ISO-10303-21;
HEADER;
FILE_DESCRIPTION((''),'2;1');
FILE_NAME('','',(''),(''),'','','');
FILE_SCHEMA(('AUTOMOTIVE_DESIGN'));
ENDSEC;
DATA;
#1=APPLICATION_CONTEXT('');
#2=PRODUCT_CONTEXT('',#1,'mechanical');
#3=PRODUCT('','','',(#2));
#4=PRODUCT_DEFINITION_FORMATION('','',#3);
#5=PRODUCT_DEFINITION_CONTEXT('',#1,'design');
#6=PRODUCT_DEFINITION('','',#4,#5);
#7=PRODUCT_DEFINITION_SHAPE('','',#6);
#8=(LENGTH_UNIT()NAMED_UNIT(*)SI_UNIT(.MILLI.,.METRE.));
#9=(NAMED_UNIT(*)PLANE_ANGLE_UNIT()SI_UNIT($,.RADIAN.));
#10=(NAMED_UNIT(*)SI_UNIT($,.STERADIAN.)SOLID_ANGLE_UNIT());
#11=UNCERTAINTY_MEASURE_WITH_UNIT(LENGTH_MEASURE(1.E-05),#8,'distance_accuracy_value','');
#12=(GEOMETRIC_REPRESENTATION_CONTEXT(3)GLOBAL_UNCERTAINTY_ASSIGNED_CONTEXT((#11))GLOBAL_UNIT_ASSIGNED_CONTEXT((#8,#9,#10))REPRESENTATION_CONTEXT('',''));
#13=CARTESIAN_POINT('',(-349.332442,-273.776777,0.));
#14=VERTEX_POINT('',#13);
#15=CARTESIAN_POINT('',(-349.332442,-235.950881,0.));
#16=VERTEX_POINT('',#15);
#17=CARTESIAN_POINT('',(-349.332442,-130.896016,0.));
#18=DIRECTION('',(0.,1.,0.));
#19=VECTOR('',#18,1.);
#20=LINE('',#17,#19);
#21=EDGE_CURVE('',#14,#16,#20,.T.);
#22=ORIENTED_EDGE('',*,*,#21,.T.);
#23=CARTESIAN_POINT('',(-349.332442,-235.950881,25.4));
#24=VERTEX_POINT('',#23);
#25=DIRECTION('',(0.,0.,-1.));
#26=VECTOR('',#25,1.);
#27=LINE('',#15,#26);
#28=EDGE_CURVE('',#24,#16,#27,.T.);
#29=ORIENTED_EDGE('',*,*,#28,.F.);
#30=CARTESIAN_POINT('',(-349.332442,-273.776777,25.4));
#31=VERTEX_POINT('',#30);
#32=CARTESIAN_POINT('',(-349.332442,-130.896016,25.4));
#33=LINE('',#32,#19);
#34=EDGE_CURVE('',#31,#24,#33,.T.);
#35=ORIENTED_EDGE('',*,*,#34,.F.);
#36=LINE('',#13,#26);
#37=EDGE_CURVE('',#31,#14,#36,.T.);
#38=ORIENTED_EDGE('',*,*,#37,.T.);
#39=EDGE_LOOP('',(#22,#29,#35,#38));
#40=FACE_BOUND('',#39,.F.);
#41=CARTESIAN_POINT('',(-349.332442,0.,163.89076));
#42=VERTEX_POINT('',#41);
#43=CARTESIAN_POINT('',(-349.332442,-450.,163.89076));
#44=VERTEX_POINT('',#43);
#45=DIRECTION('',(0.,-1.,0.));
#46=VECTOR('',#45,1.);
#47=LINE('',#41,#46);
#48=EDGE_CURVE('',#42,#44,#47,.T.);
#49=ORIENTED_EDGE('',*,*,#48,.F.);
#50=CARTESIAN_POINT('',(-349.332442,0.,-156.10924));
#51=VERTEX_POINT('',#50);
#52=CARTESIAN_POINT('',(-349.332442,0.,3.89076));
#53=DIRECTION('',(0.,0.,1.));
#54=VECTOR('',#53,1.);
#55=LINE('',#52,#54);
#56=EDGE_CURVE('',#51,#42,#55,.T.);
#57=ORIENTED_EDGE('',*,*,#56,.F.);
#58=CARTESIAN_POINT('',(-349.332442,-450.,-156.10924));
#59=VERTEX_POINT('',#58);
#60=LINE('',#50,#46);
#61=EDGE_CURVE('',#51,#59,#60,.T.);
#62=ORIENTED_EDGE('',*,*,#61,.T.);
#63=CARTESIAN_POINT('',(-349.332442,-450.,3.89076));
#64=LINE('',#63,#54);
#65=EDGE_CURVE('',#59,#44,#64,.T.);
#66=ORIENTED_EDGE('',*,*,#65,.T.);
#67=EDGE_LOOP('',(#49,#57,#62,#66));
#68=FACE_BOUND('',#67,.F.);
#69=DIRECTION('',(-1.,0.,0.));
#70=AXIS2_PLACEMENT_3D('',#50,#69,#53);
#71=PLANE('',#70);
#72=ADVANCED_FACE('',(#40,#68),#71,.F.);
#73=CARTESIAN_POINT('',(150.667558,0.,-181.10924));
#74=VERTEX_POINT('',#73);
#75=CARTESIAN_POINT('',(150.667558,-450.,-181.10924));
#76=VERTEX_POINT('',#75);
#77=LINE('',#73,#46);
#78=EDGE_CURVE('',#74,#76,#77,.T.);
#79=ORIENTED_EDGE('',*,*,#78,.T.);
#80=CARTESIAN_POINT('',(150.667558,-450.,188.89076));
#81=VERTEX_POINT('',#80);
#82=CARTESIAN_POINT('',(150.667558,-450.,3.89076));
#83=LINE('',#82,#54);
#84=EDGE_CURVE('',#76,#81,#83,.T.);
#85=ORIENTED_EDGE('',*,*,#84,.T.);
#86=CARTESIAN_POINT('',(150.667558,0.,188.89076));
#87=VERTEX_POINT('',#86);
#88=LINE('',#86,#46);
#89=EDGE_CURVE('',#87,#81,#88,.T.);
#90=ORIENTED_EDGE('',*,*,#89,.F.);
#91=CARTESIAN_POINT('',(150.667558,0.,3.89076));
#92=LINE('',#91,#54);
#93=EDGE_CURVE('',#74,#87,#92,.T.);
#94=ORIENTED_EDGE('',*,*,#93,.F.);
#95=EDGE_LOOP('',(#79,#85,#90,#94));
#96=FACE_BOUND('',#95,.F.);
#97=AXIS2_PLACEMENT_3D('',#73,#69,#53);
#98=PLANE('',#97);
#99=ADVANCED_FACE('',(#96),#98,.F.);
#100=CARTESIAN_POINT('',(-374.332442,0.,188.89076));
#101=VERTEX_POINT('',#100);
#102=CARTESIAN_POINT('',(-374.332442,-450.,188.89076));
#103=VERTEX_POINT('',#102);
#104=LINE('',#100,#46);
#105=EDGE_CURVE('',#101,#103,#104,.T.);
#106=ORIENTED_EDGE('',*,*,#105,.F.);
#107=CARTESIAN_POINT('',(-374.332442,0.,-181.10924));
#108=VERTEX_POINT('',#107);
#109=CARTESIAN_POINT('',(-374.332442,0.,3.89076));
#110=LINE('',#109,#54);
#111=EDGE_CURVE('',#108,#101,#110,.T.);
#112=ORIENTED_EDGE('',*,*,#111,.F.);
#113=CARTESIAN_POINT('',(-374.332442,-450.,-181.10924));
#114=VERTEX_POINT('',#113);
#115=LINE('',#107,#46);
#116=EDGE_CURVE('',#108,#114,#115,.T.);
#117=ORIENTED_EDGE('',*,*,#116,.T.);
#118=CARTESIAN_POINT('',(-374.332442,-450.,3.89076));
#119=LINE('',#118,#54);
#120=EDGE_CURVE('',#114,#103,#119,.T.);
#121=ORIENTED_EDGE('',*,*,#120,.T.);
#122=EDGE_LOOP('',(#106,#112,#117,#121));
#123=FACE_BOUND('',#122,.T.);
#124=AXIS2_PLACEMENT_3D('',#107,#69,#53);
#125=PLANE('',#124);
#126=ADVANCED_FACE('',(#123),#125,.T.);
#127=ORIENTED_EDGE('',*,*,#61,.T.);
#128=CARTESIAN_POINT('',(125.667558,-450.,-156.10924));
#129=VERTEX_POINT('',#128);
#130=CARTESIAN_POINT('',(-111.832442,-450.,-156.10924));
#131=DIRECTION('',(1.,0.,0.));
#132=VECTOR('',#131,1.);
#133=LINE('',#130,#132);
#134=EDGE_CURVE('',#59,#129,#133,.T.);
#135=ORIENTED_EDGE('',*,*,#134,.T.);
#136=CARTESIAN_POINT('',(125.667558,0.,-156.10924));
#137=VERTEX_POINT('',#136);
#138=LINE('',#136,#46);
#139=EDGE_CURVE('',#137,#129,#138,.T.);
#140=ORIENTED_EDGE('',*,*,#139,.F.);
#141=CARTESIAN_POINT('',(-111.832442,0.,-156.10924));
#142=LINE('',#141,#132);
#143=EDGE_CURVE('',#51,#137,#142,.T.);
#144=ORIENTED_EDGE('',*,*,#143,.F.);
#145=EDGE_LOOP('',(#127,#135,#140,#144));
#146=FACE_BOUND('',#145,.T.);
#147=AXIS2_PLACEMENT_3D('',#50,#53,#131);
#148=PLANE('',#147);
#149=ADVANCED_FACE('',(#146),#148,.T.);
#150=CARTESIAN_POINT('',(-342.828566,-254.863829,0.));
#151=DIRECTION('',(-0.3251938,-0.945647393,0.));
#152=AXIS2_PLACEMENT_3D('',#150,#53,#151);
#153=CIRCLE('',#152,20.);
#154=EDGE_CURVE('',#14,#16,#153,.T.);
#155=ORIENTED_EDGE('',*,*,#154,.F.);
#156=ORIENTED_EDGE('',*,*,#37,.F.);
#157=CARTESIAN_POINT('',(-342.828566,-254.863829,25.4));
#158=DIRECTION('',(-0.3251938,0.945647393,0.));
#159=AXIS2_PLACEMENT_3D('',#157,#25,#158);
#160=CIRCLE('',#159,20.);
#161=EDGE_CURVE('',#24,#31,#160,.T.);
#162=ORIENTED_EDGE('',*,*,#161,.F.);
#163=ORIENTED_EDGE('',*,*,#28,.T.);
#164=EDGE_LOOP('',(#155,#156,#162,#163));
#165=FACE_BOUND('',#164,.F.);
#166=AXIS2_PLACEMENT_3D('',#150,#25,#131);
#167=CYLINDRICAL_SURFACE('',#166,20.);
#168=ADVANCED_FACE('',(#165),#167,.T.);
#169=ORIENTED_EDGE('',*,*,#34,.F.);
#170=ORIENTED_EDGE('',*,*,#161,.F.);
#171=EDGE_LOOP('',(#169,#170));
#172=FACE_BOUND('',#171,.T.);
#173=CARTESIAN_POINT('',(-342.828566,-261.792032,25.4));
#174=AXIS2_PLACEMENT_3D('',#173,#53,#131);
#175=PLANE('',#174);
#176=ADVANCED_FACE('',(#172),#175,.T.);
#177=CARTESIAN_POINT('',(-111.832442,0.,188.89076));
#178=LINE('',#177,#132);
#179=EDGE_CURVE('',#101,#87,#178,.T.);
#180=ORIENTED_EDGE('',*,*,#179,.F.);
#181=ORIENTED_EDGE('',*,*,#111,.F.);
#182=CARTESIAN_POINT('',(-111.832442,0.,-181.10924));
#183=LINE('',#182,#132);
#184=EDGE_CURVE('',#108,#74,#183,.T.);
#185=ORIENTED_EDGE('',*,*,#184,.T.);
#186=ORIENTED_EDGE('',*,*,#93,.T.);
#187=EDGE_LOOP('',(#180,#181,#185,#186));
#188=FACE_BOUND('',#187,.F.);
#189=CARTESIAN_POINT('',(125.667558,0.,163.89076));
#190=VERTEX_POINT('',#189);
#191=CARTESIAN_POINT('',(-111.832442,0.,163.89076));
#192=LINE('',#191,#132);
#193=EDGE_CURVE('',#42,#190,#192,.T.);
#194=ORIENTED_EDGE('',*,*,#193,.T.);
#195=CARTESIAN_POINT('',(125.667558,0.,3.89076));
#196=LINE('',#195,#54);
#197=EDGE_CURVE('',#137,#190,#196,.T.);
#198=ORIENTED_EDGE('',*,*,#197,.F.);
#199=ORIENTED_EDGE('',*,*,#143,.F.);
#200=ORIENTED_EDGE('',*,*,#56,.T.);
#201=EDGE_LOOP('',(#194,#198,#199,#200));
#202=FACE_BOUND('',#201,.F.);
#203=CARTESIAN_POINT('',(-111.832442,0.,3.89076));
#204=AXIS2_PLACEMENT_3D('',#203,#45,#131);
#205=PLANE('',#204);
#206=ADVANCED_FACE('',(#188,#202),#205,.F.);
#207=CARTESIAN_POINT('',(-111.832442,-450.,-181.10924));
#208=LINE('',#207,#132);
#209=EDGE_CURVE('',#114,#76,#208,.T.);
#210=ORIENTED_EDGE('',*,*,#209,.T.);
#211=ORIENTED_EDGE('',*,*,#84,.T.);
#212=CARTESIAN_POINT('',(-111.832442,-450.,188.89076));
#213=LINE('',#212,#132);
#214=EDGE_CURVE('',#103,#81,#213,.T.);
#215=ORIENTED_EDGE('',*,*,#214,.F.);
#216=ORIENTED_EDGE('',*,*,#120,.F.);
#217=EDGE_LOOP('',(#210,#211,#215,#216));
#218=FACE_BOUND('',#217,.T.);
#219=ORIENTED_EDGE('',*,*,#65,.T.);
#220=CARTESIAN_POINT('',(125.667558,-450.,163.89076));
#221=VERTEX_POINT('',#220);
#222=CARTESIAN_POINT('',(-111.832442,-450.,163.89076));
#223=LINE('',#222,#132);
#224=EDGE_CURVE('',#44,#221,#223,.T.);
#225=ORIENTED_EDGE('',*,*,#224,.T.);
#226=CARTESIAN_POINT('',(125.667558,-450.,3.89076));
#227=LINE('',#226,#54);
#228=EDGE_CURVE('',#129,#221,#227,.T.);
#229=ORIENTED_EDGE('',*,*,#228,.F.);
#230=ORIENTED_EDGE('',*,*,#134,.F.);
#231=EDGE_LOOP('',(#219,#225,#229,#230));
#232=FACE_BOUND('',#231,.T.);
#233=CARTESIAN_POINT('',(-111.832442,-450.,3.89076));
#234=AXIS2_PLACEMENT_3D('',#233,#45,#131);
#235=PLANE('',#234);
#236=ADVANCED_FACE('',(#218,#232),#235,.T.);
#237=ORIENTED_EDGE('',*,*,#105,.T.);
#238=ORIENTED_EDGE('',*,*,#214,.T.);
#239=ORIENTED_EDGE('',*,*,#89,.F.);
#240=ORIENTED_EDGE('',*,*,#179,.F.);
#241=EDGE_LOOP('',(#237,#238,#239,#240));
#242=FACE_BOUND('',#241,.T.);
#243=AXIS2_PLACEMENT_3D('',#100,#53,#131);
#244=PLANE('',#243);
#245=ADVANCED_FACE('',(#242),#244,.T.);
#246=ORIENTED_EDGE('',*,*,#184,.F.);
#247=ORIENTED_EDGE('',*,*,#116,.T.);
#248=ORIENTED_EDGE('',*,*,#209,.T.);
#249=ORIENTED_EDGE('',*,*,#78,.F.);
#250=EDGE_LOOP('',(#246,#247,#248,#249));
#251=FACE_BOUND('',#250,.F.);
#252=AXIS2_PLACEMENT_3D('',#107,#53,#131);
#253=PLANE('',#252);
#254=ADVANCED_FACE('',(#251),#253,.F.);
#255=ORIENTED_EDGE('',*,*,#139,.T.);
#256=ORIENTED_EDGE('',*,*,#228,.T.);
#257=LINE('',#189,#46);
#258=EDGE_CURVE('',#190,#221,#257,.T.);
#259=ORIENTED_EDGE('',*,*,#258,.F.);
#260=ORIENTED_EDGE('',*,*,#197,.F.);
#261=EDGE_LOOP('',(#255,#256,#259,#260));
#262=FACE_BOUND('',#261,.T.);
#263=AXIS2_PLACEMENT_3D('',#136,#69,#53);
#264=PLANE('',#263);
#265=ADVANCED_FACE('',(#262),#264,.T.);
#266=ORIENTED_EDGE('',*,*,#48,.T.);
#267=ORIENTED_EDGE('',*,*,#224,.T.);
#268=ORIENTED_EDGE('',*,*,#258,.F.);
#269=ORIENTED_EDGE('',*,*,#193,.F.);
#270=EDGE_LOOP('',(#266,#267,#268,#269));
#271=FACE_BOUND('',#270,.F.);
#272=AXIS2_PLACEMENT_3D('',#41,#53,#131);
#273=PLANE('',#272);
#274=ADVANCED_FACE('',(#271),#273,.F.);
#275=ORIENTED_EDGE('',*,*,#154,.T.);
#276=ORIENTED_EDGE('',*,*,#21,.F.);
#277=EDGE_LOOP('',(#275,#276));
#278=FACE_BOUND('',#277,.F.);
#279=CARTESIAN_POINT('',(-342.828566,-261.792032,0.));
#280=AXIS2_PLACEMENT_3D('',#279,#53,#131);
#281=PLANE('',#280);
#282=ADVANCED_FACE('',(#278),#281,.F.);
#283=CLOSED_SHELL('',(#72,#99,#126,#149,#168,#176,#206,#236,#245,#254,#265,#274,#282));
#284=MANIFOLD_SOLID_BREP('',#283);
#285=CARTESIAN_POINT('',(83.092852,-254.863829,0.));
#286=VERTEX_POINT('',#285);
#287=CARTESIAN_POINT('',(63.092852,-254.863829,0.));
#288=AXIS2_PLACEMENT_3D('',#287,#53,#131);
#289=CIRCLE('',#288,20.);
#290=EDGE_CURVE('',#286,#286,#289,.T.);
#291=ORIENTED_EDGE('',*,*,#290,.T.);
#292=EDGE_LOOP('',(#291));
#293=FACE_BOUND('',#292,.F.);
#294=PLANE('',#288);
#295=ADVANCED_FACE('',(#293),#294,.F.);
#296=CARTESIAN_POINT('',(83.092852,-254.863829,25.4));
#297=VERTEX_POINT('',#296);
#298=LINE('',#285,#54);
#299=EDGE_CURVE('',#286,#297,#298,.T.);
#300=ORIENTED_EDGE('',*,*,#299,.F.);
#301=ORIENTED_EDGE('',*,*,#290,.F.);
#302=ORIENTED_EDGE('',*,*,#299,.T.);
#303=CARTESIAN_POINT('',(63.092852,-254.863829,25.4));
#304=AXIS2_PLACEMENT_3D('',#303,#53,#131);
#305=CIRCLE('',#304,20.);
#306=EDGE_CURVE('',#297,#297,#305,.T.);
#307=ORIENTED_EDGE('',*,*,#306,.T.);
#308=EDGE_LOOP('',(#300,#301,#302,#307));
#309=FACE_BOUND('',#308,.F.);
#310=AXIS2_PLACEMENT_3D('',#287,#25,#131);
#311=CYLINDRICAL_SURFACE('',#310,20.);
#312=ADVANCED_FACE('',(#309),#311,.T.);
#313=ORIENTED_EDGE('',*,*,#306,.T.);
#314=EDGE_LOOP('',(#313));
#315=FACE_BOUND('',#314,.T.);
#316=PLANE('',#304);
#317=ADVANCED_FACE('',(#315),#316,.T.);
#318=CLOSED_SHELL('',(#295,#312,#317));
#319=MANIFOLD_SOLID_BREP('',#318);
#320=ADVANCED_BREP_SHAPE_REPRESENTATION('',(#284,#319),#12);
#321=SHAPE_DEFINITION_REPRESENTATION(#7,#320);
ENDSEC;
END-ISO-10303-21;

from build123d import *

# Parameters (mm, degrees)
F0_W     = 525
F0_H     = 370
F0_W_2   = 475
F0_H_2   = 320
F1_DEPTH = 450
F2_R     = 20
F3_DEPTH = 25.4


with BuildPart() as f1:
    # F0 (on Front) → F1 (new body)
    with BuildSketch(Plane.XZ):
        with Locations((-111.832442, 3.89076)):
            Rectangle(F0_W, F0_H)
        with Locations((-111.832442, 3.89076)):
            Rectangle(F0_W_2, F0_H_2, mode=Mode.SUBTRACT)
    extrude(amount=F1_DEPTH)

    # F2 (on Top) → F3 (join)
    with BuildSketch(Plane.XY):
        with BuildLine():
            ThreePointArc((-362.828566, -254.863829), (-342.828566, -274.863829), (-322.828566, -254.863829))
            Line((-322.828566, -254.863829), (-362.828566, -254.863829))
        make_face()
        with BuildLine():
            Line((-362.828566, -254.863829), (-322.828566, -254.863829))
            ThreePointArc((-322.828566, -254.863829), (-342.828566, -234.863829), (-362.828566, -254.863829))
        make_face()
        with Locations((63.092852, -254.863829)):
            Circle(F2_R)
    extrude(amount=F3_DEPTH)


solid = f1.part
